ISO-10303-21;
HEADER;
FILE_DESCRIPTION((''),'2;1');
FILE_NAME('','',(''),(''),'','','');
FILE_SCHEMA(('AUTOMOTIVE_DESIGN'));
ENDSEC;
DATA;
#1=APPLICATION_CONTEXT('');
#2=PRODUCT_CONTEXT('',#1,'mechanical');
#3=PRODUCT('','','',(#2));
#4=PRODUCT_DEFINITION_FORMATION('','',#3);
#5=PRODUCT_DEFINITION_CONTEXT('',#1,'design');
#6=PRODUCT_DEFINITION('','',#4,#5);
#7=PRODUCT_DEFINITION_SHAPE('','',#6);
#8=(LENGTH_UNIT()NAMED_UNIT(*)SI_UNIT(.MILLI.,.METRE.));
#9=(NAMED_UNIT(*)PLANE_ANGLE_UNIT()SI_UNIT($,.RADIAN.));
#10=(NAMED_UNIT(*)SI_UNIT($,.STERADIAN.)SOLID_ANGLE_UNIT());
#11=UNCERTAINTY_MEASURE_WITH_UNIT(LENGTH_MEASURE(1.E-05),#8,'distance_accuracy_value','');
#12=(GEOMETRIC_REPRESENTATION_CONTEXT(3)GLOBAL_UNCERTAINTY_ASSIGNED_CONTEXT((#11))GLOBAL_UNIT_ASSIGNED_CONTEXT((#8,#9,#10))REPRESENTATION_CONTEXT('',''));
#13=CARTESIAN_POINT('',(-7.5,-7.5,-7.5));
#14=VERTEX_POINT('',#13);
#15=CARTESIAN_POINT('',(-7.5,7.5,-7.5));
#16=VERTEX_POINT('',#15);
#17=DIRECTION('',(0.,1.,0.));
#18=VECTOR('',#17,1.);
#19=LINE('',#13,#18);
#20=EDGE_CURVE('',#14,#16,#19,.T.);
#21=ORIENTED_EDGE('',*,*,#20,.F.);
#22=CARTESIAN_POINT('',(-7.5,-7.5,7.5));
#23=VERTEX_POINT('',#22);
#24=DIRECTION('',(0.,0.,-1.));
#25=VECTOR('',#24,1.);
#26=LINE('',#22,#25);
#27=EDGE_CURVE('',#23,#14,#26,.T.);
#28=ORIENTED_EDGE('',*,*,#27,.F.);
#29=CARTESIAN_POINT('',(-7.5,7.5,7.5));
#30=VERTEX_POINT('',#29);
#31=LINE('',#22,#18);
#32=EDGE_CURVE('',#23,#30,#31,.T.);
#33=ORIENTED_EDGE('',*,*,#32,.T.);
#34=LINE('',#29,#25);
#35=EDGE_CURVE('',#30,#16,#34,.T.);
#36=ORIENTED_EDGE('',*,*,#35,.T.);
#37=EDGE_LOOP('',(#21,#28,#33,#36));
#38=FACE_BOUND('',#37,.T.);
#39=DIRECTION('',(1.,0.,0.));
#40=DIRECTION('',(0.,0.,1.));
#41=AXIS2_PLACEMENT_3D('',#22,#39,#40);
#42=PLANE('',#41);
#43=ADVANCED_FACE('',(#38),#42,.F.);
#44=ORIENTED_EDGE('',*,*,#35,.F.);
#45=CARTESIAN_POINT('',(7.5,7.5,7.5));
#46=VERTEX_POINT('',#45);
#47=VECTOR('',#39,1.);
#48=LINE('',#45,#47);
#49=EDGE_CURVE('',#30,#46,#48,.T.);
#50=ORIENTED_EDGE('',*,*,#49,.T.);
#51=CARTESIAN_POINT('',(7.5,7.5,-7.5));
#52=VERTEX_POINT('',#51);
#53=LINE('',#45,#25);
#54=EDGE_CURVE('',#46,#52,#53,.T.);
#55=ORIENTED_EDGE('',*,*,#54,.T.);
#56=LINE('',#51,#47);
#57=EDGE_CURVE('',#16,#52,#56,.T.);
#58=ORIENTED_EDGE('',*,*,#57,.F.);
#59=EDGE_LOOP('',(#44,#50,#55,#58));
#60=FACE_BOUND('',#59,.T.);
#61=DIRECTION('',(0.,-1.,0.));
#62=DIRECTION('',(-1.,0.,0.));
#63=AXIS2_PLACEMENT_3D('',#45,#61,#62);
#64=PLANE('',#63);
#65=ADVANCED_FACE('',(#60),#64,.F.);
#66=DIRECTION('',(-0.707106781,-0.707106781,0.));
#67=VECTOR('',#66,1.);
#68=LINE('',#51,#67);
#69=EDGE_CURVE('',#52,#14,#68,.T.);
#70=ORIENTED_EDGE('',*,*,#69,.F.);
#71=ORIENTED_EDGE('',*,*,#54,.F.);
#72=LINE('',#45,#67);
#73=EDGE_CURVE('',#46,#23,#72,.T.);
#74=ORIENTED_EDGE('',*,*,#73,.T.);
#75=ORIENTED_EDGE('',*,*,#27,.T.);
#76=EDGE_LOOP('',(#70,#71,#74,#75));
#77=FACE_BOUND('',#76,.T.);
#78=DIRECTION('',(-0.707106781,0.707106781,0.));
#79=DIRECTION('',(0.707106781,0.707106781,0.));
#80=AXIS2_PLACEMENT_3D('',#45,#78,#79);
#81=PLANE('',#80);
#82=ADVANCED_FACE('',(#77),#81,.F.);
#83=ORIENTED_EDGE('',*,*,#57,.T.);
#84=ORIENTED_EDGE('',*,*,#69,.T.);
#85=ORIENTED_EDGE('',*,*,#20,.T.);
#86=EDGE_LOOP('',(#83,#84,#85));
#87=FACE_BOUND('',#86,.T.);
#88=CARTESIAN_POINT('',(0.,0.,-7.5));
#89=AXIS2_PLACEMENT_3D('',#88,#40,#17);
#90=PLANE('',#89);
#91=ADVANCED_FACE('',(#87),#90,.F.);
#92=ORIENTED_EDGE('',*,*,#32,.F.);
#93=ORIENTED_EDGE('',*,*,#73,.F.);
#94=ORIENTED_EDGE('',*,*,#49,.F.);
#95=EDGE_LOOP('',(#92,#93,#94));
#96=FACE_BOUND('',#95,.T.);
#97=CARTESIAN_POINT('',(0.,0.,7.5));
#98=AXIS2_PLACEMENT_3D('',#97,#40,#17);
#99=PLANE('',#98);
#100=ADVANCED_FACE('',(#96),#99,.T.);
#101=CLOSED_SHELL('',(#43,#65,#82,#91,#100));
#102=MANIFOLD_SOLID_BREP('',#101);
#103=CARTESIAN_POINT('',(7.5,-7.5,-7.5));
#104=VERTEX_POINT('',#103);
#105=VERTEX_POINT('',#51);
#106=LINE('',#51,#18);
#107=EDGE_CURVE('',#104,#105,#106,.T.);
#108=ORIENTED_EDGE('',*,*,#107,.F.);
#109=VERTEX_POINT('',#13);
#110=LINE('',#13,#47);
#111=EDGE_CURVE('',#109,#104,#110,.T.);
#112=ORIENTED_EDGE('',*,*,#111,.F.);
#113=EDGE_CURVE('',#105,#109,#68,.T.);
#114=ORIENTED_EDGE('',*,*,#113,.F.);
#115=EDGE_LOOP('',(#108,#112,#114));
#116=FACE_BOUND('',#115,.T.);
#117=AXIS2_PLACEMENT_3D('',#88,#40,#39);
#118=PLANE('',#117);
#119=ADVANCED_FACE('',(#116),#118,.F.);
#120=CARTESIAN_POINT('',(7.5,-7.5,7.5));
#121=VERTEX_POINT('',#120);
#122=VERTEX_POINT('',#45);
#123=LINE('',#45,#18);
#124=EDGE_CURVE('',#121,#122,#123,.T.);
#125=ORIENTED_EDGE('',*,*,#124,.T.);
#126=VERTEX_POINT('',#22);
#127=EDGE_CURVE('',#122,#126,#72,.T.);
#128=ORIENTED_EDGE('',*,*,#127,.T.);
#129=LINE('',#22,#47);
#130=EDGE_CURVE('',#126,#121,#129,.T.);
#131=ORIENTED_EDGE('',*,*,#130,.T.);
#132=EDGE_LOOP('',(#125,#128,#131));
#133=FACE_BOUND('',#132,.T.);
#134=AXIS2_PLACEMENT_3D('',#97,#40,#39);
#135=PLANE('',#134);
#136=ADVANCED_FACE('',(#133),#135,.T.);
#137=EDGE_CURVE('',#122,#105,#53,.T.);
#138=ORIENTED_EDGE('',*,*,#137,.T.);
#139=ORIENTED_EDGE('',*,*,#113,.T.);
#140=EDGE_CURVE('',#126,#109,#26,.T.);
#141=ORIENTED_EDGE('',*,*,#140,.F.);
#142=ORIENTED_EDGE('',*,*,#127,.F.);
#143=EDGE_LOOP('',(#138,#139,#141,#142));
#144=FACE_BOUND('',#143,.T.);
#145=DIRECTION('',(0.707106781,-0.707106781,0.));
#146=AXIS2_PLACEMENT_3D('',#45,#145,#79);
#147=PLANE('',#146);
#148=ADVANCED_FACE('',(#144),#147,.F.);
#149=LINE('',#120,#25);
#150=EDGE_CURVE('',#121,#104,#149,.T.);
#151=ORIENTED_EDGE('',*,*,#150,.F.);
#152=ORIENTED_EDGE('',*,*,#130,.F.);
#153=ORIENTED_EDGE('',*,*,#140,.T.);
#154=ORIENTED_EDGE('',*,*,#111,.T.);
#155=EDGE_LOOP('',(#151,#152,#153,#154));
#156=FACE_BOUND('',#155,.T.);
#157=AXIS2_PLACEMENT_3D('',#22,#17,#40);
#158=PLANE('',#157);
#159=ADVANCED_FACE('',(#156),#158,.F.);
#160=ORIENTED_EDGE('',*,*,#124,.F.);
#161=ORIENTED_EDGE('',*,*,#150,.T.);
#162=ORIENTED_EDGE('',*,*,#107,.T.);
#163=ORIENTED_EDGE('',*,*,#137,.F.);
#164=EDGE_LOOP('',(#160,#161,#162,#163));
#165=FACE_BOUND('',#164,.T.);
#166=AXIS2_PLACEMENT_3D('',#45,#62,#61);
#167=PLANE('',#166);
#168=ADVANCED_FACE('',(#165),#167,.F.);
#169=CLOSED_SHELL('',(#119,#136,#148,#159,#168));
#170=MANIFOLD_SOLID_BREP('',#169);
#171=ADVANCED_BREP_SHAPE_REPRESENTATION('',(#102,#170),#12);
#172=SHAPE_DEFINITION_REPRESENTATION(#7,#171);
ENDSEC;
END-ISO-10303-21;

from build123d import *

# Parameters (mm, degrees)
EXTRUDE_1_DEPTH = 7.5


with BuildPart() as part:
    # 草图1 → 凸台-拉伸1 (new body, symmetric)
    with BuildSketch(Plane.XY):
        Polygon((-7.5, -7.5), (7.5, -7.5), (7.5, 7.5), align=None)
    extrude(amount=EXTRUDE_1_DEPTH, both=True)


with BuildPart() as body_2:
    # 镜向2: mirrored copy
    add(part.part.mirror(Plane(origin=(7.5, 7.5, 7.5), x_dir=(0, 0, 1), z_dir=(0.707106781, -0.707106781, 0))))


solid = Compound([part.part, body_2.part])
